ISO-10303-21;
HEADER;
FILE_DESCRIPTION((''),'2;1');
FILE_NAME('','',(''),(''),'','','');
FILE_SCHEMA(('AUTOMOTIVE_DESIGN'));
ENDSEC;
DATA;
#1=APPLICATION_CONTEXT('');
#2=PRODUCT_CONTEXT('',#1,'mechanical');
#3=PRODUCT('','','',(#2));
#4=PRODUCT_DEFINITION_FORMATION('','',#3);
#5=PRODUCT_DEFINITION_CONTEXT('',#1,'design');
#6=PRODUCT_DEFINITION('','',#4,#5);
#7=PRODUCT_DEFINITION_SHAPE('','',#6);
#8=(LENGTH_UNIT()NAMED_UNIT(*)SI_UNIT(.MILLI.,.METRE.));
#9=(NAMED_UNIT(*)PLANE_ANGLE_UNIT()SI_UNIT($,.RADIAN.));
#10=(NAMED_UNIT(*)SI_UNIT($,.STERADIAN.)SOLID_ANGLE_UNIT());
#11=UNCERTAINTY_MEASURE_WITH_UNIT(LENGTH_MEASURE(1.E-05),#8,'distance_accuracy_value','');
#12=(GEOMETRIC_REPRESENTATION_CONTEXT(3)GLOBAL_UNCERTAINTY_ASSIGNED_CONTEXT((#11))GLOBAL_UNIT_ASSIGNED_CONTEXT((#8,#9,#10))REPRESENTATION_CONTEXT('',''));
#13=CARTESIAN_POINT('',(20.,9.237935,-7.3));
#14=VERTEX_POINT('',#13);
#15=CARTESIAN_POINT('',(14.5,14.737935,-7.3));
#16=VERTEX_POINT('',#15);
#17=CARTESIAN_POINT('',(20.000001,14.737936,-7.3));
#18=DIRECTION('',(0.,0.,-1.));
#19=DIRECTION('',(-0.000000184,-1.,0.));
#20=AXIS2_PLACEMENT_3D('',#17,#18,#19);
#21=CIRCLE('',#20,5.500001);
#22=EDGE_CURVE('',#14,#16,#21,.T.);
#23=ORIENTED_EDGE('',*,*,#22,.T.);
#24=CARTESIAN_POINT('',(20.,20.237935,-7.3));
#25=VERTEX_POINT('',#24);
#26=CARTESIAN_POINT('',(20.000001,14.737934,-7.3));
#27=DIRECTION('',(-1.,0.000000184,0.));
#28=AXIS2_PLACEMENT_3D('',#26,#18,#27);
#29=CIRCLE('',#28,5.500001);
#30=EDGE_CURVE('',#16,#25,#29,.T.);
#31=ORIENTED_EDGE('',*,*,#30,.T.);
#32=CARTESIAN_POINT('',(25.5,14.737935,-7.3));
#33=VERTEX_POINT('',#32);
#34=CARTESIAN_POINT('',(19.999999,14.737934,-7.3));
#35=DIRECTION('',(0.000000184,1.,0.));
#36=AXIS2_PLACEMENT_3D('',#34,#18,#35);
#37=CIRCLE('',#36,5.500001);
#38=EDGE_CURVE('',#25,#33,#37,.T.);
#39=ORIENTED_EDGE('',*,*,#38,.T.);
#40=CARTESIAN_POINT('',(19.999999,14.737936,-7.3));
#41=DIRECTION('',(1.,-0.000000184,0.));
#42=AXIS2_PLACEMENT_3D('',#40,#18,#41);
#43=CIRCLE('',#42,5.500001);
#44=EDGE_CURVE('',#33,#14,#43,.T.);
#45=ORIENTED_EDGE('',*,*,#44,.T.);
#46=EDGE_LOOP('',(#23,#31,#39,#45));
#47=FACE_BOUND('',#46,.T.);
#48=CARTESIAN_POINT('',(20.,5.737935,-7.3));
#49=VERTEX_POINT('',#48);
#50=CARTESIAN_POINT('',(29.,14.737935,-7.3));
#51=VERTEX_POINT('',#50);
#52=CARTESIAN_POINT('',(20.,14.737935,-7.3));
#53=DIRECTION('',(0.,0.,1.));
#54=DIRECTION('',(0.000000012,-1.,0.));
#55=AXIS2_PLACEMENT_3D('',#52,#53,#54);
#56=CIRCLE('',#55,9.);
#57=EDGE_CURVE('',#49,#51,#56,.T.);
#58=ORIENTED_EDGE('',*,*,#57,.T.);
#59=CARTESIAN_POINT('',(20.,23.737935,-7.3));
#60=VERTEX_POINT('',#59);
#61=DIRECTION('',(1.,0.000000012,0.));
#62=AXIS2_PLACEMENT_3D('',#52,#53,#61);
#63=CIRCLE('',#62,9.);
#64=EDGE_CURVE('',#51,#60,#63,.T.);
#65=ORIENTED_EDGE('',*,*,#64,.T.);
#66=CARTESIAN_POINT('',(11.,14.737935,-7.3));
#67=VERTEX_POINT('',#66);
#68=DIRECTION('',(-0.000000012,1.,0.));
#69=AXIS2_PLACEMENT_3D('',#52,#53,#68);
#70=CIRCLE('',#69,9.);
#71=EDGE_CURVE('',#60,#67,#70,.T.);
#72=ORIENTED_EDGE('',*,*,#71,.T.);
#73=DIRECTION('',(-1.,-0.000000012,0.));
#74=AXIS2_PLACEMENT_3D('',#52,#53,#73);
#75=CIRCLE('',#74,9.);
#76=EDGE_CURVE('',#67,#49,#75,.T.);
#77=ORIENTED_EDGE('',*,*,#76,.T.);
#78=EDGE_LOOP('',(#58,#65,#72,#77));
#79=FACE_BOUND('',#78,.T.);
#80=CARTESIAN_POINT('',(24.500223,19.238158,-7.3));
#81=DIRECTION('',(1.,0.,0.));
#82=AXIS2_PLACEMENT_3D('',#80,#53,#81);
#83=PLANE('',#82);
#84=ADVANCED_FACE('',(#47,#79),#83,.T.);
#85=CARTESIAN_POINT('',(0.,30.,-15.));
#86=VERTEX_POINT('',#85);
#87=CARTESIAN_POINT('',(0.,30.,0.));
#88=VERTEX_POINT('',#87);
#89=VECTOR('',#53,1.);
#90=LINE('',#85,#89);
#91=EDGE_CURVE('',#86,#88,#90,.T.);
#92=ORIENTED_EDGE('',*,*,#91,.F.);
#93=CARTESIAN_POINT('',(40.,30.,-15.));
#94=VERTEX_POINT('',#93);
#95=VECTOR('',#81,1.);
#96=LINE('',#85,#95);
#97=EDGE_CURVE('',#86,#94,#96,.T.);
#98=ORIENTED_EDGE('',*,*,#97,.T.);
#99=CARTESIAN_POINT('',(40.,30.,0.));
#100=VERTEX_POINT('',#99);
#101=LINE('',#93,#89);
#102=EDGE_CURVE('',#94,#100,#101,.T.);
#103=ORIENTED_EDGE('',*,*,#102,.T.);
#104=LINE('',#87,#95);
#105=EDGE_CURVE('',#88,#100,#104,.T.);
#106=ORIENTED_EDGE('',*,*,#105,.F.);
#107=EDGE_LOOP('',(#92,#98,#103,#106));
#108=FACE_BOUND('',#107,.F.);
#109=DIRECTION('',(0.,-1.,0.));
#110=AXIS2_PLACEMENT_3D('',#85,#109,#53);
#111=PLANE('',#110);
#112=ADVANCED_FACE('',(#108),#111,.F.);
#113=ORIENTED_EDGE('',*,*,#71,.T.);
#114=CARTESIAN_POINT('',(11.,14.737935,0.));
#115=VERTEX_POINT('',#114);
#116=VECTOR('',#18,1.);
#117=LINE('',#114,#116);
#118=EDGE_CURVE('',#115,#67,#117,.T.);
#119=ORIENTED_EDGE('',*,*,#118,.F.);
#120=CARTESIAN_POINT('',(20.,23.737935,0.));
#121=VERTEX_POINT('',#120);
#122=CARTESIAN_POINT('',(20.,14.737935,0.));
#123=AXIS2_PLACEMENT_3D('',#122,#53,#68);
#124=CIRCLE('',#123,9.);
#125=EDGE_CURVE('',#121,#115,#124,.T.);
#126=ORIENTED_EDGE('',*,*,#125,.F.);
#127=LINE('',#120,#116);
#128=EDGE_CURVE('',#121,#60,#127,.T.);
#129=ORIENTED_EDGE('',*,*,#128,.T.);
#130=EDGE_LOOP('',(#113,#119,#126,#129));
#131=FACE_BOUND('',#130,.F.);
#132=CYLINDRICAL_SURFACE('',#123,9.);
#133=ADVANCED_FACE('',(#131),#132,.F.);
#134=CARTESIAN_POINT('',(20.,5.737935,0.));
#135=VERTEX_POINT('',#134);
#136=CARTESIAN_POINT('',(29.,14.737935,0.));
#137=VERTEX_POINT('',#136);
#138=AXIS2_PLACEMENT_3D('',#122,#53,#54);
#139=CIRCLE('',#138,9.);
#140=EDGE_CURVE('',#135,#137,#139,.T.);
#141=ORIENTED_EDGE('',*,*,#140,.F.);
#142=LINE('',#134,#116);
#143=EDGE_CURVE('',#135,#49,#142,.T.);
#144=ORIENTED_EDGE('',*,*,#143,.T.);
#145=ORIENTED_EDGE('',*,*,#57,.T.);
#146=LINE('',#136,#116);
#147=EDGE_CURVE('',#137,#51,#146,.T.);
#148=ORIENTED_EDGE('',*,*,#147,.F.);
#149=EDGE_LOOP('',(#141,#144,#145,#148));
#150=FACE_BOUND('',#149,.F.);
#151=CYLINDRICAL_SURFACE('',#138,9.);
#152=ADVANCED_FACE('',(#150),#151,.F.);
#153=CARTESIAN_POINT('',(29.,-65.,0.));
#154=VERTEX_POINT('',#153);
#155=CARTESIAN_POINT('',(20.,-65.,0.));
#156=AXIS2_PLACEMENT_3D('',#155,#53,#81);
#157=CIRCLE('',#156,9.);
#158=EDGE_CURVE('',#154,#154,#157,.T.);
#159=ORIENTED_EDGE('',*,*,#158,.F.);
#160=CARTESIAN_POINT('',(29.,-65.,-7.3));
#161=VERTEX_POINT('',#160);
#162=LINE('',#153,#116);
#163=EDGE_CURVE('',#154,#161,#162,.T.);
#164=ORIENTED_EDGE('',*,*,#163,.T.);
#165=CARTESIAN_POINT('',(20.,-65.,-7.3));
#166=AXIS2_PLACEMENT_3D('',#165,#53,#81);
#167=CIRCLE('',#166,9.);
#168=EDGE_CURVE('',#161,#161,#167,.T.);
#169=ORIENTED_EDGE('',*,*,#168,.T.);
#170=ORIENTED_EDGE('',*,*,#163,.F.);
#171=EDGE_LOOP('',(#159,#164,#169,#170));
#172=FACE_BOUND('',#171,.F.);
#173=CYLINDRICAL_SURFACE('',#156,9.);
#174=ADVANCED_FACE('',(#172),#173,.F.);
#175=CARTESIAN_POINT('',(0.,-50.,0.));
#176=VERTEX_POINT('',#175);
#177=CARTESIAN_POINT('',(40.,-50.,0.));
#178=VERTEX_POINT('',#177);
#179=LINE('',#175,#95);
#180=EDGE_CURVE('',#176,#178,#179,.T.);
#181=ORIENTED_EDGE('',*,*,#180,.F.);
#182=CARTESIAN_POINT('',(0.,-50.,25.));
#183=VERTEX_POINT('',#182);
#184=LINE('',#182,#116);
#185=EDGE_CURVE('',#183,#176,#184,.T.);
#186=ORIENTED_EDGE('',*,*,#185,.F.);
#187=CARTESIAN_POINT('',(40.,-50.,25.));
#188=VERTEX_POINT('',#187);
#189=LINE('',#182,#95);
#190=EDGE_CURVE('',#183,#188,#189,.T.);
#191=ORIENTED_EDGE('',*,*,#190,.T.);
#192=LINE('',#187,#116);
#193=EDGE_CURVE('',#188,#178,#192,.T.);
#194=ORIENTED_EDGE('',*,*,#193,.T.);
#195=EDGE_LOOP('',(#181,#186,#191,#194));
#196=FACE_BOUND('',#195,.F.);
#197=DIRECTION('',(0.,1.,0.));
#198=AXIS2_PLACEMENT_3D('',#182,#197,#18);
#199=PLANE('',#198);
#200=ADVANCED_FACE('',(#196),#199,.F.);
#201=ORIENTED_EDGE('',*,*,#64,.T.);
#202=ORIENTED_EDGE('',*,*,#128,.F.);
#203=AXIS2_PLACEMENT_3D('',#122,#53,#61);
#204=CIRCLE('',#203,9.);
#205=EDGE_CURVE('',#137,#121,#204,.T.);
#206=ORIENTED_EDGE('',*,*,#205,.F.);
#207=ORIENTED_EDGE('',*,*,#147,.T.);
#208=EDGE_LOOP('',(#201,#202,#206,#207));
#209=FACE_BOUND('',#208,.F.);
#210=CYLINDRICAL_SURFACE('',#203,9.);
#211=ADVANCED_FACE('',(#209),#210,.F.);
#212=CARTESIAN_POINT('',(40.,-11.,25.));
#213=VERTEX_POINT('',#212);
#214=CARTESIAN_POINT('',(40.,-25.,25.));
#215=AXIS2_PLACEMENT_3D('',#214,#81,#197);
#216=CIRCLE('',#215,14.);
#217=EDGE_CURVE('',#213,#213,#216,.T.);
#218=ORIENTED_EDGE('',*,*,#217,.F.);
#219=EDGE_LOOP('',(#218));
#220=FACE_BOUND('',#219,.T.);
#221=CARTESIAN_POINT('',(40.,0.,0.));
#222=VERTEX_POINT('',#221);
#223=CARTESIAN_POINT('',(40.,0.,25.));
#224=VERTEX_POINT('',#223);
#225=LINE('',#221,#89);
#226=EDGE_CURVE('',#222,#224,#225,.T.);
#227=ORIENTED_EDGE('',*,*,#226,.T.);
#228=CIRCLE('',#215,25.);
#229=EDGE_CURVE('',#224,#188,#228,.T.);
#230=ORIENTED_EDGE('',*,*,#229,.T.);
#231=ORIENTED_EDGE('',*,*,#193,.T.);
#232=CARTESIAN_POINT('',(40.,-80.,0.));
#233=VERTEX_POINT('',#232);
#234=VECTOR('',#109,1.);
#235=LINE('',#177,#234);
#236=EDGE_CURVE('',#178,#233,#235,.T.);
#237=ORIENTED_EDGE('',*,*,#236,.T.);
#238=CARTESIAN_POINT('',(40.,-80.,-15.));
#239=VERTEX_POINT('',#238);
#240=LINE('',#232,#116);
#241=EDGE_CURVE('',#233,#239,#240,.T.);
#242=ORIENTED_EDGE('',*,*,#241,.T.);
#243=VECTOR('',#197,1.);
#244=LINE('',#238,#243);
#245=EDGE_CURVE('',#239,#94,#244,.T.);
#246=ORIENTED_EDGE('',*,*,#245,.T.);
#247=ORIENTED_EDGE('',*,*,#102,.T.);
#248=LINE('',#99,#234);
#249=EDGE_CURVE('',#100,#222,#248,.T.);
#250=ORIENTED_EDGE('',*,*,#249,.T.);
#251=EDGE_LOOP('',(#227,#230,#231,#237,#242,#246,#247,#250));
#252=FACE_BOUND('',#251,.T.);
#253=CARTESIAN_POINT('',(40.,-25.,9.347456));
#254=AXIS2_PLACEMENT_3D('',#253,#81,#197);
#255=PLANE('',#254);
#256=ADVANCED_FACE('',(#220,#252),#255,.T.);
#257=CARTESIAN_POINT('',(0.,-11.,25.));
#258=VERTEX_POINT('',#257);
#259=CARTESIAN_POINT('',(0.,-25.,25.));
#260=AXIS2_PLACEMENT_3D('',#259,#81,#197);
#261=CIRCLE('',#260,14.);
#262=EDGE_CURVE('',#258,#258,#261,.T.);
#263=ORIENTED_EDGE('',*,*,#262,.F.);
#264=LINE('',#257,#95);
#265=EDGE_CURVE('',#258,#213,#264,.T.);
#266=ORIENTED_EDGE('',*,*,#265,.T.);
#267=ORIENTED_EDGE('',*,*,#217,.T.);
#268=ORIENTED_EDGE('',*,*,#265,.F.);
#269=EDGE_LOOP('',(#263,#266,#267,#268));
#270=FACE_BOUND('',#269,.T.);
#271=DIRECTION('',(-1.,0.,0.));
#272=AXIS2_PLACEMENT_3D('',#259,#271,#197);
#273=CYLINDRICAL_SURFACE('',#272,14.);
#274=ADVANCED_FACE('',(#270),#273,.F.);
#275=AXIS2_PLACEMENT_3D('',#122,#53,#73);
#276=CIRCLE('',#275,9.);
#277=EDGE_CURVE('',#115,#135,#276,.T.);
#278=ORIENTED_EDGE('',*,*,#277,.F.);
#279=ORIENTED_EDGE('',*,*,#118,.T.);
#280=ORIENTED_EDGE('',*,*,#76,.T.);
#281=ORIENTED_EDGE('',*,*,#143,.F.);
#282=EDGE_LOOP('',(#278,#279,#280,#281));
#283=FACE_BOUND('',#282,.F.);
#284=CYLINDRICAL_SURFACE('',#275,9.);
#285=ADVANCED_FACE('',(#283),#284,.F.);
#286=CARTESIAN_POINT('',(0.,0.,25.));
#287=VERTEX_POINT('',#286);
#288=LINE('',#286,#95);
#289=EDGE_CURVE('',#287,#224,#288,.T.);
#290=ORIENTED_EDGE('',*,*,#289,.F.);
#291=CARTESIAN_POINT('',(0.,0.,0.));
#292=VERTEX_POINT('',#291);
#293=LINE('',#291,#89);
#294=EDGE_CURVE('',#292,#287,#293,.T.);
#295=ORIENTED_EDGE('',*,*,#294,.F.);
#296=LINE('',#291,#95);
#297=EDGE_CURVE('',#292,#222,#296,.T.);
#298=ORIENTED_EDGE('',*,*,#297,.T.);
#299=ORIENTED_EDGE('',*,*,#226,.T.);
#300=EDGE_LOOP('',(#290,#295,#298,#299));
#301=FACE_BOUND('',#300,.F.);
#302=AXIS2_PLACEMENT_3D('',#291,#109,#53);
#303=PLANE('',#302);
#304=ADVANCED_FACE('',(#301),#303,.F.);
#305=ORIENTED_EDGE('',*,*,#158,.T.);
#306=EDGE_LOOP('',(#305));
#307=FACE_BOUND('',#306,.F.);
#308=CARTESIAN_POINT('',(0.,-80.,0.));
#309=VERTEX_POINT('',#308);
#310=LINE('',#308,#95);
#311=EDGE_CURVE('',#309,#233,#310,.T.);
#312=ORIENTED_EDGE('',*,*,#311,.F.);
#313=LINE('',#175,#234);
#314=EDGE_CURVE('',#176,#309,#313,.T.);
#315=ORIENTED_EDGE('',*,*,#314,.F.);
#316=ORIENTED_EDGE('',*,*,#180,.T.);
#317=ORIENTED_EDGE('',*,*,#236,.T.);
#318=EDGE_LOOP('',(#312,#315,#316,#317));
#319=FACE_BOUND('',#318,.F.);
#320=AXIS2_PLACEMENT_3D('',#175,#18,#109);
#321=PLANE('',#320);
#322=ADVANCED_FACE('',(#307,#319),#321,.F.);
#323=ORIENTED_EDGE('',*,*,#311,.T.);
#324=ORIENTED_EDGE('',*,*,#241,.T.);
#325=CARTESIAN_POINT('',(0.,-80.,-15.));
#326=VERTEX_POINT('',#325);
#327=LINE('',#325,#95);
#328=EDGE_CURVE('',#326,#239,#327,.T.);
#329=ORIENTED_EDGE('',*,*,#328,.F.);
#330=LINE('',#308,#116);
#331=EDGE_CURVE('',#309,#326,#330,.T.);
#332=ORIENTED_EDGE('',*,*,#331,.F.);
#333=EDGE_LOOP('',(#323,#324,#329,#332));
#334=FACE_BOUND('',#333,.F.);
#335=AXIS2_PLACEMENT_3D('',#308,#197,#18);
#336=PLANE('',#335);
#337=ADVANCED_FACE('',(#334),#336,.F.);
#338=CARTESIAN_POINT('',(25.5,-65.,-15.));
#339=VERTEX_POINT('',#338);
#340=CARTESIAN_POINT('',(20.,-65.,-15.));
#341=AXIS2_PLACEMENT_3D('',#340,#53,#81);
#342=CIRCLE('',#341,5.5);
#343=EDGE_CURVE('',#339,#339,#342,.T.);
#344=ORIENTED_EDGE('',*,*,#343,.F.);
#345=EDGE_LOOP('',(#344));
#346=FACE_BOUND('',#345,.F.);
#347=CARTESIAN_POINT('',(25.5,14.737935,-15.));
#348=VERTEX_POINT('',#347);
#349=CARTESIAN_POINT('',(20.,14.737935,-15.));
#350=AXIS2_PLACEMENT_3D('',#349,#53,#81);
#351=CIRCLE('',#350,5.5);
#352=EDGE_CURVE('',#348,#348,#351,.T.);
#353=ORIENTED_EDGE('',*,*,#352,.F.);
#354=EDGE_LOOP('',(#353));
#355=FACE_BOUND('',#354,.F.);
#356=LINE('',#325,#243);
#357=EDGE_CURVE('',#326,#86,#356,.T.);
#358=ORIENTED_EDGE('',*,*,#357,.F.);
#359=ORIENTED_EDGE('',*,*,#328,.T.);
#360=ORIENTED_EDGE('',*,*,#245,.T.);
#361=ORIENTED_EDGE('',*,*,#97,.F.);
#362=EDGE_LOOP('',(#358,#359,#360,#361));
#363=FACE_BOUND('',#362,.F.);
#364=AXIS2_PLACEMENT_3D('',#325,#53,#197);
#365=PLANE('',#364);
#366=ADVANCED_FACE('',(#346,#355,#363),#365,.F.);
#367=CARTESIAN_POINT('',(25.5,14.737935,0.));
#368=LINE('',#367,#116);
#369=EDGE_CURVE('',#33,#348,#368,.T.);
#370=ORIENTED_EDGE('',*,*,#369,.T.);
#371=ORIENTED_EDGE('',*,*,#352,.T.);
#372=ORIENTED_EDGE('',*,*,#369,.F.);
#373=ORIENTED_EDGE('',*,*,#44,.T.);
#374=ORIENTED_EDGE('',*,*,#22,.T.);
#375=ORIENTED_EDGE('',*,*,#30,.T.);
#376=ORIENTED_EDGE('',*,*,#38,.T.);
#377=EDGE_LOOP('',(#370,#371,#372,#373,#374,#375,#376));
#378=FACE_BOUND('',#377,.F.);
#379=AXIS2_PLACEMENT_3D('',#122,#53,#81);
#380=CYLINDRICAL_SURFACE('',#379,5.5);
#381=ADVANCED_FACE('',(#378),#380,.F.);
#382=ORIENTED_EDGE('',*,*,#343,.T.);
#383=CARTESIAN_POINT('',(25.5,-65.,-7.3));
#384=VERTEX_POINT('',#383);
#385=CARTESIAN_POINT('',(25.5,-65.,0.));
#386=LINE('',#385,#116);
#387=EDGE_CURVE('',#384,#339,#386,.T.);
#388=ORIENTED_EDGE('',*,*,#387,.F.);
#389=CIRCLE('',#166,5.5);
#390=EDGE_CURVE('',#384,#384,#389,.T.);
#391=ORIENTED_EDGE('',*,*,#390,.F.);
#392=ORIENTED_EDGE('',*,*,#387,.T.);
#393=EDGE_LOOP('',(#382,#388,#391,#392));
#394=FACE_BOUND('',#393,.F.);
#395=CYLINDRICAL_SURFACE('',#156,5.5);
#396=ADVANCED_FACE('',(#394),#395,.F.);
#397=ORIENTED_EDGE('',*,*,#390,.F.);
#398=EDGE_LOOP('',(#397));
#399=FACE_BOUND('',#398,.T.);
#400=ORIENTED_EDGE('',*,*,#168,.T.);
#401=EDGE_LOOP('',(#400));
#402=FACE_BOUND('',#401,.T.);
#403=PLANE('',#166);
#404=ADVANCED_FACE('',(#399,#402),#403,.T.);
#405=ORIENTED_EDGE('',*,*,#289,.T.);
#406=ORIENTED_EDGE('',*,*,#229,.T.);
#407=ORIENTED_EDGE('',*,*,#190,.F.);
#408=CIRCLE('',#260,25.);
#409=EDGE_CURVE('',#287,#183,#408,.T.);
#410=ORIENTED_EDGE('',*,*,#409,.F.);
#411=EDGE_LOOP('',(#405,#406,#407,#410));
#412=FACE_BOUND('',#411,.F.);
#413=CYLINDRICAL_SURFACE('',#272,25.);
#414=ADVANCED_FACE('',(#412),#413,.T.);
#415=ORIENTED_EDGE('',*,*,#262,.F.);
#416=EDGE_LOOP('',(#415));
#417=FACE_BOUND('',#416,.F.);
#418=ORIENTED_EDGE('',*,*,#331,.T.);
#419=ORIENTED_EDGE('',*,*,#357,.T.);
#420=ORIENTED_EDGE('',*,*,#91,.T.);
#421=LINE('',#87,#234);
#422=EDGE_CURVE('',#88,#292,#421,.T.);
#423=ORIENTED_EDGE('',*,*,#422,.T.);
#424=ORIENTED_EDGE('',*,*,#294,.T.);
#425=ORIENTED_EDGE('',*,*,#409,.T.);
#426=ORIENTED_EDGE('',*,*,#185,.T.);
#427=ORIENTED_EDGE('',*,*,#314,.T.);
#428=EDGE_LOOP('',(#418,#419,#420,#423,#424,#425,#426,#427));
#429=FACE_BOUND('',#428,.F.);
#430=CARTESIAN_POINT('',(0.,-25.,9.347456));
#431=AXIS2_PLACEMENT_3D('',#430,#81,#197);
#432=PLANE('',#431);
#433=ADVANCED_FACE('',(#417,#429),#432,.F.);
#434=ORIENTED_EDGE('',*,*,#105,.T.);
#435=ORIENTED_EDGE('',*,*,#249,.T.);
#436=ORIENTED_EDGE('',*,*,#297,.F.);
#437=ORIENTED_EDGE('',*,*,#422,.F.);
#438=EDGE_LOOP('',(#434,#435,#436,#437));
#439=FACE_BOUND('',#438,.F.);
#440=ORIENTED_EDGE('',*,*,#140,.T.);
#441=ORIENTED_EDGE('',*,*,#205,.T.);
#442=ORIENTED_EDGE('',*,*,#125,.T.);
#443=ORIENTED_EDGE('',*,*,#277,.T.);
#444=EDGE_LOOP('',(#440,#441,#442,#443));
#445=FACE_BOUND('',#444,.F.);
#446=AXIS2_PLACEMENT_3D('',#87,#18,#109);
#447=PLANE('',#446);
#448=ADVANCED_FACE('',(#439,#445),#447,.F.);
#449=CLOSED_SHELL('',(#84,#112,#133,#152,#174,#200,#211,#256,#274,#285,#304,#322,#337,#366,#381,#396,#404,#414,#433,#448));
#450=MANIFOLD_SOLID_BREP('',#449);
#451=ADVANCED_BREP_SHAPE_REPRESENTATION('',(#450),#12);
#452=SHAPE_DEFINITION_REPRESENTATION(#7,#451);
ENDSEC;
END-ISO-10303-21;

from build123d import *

# Parameters (mm, degrees)
F0_R      = 14
F0_W      = 11
F0_H      = 7.7
F1_DEPTH  = 40
F2_R      = 9
F2_R_2    = 5.5
F3_DEPTH  = 7.3
F3_FACE_R = 5.5
F4_DEPTH  = 15


with BuildPart() as f1:
    # F0 (on Right) → F1 (new body)
    with BuildSketch(Plane.YZ):
        with BuildLine():
            Line((6, 0), (0, 0))
            Line((0, 0), (0, 25))
            ThreePointArc((0, 25), (-25, 50), (-50, 25))
            Line((-50, 25), (-50, 0))
            Line((-50, 0), (-56, 0))
            Line((-56, 0), (-56, -7.3))
            Line((-56, -7.3), (-59.5, -7.3))
            Line((-59.5, -7.3), (-59.5, -15))
            Line((-59.5, -15), (9.5, -15))
            Line((9.5, -15), (9.5, -7.3))
            Line((9.5, -7.3), (6, -7.3))
            Line((6, -7.3), (6, 0))
        make_face()
        with Locations((-25, 25)):
            Circle(F0_R, mode=Mode.SUBTRACT)
        Polygon((24, 0), (6, 0), (6, -7.3), (9.5, -7.3), (20.5, -7.3), (24, -7.3), align=None)
        Polygon((30, 0), (24, 0), (24, -7.3), (20.5, -7.3), (20.5, -15), (30, -15), align=None)
        with Locations((15, -11.15)):
            Rectangle(F0_W, F0_H)
        Polygon((-56, -7.3), (-56, 0), (-74, 0), (-74, -7.3), (-70.5, -7.3), (-59.5, -7.3), align=None)
        with Locations((-65, -11.15)):
            Rectangle(F0_W, F0_H)
        Polygon((-74, -7.3), (-74, 0), (-80, 0), (-80, -15), (-70.5, -15), (-70.5, -7.3), align=None)
    extrude(amount=F1_DEPTH)

    # F2 (on face) → F3 (cut)
    with BuildSketch(Plane.XY):
        with Locations((20, -65)):
            Circle(F2_R)
        with Locations((20, -65)):
            Circle(F2_R_2, mode=Mode.SUBTRACT)
        with BuildLine():
            ThreePointArc((29, 14.737935), (26.363961, 21.101896), (20, 23.737935))
            Line((20, 23.737935), (20, 20.237935))
            ThreePointArc((20, 20.237935), (23.889087, 18.627022), (25.5, 14.737935))
            Line((25.5, 14.737935), (29, 14.737935))
        make_face()
        with BuildLine():
            Line((20, 20.237935), (20, 23.737935))
            ThreePointArc((20, 23.737935), (13.636039, 21.101896), (11, 14.737935))
            Line((11, 14.737935), (14.5, 14.737935))
            ThreePointArc((14.5, 14.737935), (16.110913, 18.627022), (20, 20.237935))
        make_face()
        with BuildLine():
            ThreePointArc((20, 5.737935), (26.363961, 8.373974), (29, 14.737935))
            Line((29, 14.737935), (25.5, 14.737935))
            ThreePointArc((25.5, 14.737935), (23.889087, 10.848848), (20, 9.237935))
            Line((20, 9.237935), (20, 5.737935))
        make_face()
        with BuildLine():
            Line((14.5, 14.737935), (11, 14.737935))
            ThreePointArc((11, 14.737935), (13.636039, 8.373974), (20, 5.737935))
            Line((20, 5.737935), (20, 9.237935))
            ThreePointArc((20, 9.237935), (16.110913, 10.848848), (14.5, 14.737935))
        make_face()
    extrude(amount=-F3_DEPTH, mode=Mode.SUBTRACT)

    # F3_face (on face) → F4 (cut)
    with BuildSketch(Plane(origin=(20, 14.737935, 0), x_dir=(1, 0, 0), z_dir=(0, 0, 1))):
        Circle(F3_FACE_R)
        with Locations((0, -79.737935)):
            Circle(F3_FACE_R)
    extrude(amount=-F4_DEPTH, mode=Mode.SUBTRACT)


solid = f1.part
